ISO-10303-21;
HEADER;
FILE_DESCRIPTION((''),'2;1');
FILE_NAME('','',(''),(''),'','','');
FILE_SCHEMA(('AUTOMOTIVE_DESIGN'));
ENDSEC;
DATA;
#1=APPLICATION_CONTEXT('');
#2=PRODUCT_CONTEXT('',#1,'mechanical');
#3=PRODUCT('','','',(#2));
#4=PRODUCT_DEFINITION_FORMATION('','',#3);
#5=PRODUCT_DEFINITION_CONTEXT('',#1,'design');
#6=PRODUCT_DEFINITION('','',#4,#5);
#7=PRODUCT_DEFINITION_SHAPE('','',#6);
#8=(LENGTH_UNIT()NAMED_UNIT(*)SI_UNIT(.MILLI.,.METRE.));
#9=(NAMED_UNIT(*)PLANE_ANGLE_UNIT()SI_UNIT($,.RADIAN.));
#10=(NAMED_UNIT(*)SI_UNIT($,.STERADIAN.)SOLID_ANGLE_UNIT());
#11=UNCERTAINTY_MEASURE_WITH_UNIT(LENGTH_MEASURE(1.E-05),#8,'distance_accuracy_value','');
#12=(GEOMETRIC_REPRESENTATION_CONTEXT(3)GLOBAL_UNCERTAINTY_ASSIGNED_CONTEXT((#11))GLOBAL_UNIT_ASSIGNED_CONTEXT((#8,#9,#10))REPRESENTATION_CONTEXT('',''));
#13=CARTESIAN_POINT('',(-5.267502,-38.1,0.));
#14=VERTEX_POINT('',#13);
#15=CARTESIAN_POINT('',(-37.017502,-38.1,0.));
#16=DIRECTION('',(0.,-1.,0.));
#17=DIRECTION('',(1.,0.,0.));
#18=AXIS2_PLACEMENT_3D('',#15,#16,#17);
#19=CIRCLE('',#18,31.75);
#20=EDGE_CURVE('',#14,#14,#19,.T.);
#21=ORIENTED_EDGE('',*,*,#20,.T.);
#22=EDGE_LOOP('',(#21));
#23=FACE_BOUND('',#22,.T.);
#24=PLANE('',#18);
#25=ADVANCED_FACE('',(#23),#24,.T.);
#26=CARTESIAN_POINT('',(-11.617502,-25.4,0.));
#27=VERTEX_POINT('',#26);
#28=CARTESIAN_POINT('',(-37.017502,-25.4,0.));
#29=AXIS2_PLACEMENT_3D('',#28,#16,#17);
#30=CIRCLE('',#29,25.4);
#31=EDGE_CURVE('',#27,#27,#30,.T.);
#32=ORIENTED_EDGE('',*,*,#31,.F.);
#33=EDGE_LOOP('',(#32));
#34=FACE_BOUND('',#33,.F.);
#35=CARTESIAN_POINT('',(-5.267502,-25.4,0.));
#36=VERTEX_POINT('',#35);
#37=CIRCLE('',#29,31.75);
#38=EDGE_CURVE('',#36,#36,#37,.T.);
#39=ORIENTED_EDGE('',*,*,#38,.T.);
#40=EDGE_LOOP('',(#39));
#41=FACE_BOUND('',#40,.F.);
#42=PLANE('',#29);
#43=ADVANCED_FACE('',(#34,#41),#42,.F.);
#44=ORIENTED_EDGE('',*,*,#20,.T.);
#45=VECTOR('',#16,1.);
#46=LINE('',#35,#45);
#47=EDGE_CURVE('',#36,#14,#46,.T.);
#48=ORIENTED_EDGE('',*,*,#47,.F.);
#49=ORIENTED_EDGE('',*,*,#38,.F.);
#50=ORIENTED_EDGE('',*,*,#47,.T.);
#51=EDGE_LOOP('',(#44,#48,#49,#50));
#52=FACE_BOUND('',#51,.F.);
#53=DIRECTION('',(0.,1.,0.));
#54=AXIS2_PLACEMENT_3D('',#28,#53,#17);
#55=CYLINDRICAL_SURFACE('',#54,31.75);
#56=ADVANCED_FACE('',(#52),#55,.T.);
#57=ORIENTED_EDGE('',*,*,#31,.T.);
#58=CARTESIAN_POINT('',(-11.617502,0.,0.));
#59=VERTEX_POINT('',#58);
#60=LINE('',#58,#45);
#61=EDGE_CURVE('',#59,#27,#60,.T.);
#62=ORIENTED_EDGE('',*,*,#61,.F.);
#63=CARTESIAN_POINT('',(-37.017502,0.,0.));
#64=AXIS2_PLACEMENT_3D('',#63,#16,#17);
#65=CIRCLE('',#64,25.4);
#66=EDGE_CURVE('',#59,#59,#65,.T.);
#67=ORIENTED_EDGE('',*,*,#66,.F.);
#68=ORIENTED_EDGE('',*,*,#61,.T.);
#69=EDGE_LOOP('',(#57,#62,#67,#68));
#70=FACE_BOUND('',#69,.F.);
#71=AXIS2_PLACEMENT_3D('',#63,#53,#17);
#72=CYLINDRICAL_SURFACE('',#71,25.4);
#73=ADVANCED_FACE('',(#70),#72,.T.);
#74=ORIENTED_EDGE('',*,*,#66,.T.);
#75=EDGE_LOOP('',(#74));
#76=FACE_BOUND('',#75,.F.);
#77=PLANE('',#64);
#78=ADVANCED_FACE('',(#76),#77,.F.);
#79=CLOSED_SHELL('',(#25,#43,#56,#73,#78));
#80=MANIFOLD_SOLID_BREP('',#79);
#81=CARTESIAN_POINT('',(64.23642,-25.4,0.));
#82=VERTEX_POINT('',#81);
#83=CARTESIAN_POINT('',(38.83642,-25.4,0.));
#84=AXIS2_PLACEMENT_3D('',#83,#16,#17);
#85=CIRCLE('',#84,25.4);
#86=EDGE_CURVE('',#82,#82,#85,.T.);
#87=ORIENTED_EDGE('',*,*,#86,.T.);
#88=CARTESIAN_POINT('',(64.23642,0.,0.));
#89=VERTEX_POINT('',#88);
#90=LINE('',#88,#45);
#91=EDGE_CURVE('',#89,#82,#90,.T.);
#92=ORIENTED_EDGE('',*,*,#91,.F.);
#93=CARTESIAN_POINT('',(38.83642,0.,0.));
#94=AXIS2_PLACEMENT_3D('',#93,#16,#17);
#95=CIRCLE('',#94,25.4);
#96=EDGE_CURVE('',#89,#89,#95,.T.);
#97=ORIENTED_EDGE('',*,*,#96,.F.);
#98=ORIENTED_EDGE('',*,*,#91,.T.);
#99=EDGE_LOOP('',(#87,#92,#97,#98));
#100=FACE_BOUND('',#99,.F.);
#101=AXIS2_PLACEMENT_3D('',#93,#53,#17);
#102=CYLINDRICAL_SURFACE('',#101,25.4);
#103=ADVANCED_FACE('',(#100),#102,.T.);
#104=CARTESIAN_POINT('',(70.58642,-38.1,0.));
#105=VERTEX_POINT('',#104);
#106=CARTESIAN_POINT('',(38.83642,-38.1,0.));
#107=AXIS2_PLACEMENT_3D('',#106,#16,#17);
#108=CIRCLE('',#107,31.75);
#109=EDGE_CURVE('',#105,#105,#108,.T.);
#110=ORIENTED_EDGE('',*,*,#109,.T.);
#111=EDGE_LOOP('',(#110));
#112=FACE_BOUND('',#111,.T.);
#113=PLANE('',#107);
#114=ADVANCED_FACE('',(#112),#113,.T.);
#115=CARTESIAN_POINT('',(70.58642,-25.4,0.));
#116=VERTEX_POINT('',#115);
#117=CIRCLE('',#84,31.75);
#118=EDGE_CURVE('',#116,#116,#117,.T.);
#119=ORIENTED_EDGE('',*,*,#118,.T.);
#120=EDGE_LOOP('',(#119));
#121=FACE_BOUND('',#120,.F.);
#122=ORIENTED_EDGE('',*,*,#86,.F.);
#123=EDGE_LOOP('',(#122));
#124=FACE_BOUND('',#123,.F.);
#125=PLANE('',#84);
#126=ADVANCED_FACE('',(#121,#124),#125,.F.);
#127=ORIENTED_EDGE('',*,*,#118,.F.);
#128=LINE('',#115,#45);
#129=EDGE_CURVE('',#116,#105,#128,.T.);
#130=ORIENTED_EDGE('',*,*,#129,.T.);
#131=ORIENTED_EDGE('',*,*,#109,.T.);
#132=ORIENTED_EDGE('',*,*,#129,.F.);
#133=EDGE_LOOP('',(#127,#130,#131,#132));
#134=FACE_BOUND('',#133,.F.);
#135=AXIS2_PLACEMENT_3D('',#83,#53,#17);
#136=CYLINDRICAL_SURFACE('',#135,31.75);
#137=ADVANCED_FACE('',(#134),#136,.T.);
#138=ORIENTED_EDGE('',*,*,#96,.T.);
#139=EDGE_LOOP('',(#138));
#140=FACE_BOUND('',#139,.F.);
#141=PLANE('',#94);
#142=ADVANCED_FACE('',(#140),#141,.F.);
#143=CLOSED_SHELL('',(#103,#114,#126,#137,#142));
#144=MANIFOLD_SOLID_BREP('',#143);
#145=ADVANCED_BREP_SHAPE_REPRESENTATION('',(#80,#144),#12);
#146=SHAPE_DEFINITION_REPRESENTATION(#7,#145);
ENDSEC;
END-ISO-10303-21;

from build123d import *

# Parameters (mm, degrees)
F0_R     = 25.4
F1_DEPTH = 25.4
F2_R     = 31.75
F3_DEPTH = 12.7
F4_R     = 31.75
F5_DEPTH = 12.7


with BuildPart() as f1:
    # F0 (on Front) → F1 (new body)
    with BuildSketch(Plane.XZ):
        with Locations((-37.017502, 0)):
            Circle(F0_R)
        with Locations((38.83642, 0)):
            Circle(F0_R)
    extrude(amount=F1_DEPTH)

    # F2 (on face) → F3 (join)
    with BuildSketch(Plane.XZ.offset(25.4)):
        with Locations((-37.017502, 0)):
            Circle(F2_R)
    extrude(amount=F3_DEPTH)

    # F4 (on face) → F5 (join)
    with BuildSketch(Plane.XZ.offset(25.4)):
        with Locations((38.83642, 0)):
            Circle(F4_R)
    extrude(amount=F5_DEPTH)


solid = f1.part
